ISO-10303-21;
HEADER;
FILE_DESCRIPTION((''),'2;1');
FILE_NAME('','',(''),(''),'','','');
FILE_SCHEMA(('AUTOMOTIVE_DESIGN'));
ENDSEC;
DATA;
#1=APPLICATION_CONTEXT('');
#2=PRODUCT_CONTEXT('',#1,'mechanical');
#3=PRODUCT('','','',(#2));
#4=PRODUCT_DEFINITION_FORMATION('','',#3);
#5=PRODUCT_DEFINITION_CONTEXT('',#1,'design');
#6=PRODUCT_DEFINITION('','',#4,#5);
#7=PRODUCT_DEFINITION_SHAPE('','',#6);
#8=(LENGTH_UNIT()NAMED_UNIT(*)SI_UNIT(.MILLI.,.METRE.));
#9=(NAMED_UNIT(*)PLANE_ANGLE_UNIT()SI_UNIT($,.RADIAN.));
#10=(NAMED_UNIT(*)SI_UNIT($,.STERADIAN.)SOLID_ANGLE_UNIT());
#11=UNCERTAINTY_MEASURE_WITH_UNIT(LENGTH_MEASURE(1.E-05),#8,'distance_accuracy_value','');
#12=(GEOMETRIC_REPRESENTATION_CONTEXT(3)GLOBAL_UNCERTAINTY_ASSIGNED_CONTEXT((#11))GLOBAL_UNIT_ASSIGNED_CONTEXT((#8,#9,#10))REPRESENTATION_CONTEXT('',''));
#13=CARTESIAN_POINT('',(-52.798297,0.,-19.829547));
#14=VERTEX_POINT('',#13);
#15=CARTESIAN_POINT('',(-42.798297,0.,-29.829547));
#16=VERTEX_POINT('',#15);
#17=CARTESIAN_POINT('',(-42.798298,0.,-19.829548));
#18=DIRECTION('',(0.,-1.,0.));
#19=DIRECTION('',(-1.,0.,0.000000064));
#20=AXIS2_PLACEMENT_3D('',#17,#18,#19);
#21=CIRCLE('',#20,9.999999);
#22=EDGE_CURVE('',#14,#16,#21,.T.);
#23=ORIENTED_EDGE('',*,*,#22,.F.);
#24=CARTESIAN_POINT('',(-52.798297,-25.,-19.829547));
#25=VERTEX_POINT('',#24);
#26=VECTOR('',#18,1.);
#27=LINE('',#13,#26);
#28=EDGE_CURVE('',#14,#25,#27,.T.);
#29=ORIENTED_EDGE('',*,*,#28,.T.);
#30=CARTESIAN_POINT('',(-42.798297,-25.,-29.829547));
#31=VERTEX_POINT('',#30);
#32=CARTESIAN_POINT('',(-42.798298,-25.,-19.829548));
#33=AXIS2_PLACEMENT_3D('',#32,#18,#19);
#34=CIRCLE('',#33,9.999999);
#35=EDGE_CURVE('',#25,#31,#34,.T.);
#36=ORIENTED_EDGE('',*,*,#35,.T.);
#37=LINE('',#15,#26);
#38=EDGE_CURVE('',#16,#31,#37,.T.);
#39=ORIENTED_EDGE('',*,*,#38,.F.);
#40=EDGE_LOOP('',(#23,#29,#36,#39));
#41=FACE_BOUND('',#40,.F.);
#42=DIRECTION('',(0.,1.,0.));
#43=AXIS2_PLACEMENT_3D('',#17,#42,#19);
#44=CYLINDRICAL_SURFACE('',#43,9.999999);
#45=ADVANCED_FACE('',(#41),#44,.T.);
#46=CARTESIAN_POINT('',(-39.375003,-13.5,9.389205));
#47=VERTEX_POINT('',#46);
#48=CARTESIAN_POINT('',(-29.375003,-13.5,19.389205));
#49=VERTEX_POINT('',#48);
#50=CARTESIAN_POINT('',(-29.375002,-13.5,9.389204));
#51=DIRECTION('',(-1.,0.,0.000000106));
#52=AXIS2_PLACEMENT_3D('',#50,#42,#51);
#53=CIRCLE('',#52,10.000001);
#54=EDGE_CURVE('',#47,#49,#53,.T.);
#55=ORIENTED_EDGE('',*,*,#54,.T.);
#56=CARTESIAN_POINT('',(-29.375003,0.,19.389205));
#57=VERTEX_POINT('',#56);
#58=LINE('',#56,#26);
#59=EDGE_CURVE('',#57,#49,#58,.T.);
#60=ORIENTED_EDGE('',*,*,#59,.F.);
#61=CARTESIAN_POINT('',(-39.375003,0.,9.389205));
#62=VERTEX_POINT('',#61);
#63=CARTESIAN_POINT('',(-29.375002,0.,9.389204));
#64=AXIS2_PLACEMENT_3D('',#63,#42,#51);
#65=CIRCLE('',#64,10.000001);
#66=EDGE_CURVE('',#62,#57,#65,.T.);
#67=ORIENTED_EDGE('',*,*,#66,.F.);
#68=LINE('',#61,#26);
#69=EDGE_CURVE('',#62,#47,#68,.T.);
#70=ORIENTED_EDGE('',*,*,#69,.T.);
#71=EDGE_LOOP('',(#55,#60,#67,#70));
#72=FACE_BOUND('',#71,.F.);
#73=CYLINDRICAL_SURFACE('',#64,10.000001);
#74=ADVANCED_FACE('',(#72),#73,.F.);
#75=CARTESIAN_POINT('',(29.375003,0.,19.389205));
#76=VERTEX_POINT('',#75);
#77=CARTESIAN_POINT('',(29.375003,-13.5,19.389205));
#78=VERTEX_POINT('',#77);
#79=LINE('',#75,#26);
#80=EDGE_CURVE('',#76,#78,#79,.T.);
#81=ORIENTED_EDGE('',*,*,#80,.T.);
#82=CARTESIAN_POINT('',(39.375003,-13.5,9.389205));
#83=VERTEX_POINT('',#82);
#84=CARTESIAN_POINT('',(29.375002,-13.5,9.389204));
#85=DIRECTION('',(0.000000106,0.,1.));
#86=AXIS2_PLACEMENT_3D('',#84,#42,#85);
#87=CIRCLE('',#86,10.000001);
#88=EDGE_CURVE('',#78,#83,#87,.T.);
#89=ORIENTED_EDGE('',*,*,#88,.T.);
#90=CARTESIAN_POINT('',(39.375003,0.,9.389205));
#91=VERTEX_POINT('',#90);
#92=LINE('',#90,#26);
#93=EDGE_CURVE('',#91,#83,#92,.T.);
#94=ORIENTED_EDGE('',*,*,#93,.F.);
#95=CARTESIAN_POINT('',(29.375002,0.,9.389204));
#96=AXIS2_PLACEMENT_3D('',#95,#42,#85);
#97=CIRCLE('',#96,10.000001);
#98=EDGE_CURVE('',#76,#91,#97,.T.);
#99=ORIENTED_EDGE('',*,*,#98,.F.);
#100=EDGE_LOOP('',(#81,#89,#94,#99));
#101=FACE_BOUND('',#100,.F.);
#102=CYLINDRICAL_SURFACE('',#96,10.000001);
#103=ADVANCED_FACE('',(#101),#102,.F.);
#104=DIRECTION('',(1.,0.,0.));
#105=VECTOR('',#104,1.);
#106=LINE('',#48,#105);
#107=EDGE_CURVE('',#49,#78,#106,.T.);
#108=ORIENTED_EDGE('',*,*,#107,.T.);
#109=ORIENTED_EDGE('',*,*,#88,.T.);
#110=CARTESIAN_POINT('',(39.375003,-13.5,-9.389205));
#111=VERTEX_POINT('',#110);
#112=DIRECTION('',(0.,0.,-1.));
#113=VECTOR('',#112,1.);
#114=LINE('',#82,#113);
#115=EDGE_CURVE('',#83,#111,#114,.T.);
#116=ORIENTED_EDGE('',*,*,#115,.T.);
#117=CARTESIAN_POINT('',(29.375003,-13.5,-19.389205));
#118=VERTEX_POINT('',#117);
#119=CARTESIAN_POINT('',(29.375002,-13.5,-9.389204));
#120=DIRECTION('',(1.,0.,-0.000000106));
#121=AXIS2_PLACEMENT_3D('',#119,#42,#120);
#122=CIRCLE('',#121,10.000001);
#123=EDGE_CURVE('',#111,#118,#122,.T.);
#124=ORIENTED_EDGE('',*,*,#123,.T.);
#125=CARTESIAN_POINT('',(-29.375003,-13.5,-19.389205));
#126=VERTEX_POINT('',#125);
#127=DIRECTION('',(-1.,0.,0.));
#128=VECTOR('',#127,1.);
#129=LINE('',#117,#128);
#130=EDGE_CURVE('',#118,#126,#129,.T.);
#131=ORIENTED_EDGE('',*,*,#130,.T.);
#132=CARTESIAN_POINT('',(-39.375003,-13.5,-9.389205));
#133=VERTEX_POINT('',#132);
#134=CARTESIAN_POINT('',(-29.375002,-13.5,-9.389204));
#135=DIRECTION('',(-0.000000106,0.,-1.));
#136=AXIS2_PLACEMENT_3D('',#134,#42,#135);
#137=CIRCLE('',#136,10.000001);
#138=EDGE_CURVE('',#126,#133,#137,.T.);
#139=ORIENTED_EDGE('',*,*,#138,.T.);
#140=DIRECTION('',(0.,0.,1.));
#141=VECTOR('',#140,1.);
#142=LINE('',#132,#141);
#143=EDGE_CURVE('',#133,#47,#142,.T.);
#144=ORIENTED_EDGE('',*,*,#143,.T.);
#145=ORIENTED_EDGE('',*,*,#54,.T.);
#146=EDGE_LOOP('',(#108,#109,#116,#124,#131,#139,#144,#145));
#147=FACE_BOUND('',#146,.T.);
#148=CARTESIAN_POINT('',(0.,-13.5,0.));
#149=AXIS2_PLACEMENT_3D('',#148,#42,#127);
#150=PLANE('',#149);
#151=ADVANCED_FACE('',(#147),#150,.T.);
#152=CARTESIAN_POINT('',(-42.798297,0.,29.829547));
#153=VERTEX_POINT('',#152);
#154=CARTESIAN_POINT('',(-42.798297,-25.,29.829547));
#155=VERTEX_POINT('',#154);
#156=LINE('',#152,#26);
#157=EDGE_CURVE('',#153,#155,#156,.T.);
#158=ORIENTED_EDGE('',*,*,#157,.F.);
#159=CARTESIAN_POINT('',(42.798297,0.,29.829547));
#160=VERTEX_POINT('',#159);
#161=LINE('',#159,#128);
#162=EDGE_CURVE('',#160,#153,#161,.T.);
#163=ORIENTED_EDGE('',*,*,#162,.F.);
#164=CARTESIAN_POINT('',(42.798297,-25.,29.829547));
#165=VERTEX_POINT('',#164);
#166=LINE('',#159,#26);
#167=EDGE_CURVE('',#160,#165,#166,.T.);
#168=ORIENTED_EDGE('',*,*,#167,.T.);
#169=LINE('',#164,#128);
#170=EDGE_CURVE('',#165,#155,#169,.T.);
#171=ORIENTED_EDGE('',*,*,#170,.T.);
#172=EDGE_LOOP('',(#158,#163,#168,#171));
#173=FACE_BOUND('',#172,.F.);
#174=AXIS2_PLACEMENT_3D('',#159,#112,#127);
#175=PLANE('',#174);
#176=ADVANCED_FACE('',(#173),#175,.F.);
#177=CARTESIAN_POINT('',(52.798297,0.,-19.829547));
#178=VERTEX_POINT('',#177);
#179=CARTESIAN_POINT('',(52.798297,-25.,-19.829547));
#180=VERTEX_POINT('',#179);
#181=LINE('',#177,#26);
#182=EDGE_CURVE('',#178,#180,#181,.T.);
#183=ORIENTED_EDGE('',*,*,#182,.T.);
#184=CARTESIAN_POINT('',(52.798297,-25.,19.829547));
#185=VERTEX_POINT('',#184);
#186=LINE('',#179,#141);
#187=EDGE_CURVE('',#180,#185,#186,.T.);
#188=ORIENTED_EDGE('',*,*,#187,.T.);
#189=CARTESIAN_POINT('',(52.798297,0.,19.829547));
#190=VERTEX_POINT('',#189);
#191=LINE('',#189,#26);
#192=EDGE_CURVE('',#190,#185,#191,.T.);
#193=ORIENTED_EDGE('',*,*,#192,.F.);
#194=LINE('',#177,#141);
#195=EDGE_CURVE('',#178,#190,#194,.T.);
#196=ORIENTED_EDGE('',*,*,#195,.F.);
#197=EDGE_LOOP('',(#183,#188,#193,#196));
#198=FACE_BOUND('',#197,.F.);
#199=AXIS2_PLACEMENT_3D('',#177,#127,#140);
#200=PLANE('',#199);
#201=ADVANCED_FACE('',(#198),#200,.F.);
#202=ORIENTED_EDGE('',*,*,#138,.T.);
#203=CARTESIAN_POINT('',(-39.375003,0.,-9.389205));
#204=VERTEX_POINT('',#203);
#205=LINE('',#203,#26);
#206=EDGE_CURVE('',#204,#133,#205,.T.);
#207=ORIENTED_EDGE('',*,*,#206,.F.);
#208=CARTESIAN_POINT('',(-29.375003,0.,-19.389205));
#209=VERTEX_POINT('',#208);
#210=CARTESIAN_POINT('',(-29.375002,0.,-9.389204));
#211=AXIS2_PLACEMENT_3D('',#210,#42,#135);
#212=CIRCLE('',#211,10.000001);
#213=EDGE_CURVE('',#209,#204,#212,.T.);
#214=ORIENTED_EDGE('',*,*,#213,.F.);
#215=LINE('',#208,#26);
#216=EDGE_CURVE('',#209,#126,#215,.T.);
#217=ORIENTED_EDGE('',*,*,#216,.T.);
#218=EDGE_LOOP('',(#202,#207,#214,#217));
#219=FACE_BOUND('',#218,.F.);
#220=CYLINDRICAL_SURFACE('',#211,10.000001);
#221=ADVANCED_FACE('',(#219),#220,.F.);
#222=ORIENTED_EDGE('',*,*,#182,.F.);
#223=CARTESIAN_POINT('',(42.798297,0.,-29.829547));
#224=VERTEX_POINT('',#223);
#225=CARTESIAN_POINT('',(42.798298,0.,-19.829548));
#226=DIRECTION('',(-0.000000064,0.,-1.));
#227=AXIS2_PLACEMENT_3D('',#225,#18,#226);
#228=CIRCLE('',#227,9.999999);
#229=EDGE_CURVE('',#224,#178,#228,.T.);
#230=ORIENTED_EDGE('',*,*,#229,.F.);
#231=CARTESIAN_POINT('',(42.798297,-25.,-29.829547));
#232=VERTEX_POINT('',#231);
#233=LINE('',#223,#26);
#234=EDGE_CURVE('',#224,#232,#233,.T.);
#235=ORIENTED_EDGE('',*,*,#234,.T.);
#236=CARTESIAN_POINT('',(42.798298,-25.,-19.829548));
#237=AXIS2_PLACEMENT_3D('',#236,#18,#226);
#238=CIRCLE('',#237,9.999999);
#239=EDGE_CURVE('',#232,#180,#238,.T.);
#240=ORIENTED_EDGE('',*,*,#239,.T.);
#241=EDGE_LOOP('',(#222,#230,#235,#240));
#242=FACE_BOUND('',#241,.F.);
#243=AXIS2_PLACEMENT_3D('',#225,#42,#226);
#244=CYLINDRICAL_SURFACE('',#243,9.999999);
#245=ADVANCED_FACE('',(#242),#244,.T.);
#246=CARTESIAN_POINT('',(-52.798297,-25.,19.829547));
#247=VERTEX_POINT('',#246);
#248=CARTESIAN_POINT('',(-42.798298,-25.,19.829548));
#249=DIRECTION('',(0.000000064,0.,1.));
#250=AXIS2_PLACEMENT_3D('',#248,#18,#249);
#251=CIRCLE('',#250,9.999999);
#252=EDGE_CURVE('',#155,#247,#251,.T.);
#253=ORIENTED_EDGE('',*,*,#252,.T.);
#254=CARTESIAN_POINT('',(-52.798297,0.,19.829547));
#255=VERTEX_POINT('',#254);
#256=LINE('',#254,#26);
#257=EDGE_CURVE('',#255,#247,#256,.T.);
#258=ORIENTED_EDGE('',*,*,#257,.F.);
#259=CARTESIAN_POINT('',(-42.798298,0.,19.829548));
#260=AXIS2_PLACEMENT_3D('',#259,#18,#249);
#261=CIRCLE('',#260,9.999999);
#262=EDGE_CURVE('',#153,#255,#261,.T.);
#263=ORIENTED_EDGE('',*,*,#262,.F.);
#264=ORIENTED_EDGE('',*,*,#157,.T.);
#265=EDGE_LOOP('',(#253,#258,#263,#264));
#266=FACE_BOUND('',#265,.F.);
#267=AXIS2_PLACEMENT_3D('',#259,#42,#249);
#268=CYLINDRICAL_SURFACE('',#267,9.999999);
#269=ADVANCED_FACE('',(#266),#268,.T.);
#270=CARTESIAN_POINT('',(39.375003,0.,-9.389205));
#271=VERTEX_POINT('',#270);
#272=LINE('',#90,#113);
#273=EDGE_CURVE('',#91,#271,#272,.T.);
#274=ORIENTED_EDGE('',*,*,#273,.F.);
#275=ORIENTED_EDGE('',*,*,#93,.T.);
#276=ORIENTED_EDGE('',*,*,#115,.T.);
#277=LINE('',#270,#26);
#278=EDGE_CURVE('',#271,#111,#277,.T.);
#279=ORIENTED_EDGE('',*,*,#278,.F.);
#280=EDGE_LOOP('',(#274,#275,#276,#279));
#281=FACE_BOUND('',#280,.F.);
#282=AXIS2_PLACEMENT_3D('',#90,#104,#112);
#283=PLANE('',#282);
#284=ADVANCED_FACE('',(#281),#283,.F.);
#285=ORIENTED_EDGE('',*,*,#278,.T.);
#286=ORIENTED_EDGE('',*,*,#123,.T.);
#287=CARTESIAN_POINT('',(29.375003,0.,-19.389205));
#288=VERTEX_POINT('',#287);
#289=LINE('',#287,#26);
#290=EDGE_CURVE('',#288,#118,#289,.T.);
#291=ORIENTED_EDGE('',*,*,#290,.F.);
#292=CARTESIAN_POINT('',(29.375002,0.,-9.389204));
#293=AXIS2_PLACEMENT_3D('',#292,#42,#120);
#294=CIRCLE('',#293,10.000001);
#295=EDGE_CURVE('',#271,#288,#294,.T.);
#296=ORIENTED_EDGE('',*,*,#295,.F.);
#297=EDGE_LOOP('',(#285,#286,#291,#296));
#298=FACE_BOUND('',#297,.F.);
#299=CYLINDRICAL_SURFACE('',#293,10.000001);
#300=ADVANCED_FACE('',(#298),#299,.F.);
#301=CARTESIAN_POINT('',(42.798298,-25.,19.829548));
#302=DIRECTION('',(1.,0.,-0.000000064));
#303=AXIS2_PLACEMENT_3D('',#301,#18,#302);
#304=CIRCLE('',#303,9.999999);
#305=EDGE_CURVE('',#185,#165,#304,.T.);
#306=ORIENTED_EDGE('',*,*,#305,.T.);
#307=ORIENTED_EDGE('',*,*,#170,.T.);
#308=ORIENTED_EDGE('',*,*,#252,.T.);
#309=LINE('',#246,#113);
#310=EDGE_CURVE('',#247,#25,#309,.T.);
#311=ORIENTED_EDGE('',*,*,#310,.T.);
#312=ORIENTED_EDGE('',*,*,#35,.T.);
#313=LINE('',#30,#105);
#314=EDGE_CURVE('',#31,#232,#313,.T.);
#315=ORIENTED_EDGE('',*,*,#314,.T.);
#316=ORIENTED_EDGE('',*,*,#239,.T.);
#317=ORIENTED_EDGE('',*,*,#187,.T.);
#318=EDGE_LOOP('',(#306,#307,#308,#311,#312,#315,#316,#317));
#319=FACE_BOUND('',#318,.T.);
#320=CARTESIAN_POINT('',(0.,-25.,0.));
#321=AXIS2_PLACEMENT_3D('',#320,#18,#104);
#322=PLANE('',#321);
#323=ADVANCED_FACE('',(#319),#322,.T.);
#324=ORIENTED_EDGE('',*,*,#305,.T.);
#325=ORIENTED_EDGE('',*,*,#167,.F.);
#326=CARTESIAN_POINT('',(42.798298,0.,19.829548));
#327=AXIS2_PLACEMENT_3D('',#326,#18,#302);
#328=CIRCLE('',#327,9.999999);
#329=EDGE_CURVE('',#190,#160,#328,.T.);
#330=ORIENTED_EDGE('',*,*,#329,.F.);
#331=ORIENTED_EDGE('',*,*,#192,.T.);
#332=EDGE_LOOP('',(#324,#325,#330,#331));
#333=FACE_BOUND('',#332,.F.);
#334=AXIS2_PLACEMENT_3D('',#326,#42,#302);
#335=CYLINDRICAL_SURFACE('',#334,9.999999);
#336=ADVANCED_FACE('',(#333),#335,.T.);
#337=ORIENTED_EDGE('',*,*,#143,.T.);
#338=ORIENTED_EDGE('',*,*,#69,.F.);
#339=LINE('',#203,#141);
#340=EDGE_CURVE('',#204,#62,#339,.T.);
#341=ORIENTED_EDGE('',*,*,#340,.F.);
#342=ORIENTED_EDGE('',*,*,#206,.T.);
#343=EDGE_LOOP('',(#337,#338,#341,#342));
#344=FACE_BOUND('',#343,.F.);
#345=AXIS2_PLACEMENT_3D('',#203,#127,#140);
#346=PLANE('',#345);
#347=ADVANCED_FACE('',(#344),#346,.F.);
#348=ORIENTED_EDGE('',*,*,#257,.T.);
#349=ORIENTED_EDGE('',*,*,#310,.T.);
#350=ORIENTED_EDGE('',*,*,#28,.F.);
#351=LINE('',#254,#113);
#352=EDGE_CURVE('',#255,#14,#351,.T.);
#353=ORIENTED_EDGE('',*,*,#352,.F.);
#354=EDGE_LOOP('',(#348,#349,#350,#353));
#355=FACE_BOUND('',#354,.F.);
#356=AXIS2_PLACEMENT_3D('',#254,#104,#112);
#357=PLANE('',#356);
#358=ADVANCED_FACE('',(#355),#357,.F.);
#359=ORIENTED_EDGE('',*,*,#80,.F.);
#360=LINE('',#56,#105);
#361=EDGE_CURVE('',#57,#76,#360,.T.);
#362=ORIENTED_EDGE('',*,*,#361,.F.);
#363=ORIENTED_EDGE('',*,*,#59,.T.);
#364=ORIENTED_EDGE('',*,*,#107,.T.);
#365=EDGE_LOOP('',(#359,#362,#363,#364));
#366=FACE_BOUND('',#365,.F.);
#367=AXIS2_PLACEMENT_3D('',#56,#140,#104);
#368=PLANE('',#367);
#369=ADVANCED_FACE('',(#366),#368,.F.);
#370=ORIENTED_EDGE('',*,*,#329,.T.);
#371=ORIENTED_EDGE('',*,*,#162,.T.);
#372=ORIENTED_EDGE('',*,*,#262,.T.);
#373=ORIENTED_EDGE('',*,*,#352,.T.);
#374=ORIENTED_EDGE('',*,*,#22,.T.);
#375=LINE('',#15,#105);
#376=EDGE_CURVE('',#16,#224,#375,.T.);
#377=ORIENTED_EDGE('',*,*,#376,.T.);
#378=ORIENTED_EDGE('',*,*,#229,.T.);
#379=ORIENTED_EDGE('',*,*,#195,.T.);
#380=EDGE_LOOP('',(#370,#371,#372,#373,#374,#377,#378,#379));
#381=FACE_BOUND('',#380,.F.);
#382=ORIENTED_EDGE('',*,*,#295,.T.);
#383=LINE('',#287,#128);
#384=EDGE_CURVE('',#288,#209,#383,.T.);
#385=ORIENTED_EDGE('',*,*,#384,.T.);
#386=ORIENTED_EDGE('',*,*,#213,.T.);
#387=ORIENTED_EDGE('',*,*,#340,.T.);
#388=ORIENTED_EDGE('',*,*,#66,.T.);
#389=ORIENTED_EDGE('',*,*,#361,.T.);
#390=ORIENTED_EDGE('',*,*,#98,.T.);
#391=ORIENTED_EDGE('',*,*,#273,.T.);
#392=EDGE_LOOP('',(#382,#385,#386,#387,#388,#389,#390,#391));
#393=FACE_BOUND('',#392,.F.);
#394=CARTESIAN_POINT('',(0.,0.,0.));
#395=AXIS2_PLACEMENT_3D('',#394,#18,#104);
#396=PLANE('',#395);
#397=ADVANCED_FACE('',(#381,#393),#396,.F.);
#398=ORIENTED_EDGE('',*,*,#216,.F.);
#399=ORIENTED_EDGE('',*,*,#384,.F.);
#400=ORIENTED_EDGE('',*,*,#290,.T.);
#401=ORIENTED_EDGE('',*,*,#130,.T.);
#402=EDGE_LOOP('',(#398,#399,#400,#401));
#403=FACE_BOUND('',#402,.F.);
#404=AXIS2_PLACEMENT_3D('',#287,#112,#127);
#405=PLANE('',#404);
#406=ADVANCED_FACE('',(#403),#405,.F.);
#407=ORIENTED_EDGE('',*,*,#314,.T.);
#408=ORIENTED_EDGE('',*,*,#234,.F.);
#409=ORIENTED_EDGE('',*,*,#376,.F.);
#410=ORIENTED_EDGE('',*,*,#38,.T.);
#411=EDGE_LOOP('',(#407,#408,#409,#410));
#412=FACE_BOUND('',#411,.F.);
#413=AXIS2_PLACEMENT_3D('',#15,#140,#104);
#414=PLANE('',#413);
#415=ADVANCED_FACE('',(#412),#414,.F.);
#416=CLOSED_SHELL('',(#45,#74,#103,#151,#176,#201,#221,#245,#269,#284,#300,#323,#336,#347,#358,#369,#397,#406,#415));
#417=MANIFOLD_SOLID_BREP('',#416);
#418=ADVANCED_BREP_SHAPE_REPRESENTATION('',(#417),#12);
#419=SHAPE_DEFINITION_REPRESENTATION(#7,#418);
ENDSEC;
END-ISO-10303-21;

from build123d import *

# Parameters (mm, degrees)
F1_DEPTH = 25
F3_DEPTH = 13.5


with BuildPart() as f1:
    # F0 (on Front) → F1 (new body)
    with BuildSketch(Plane.XZ):
        with BuildLine():
            ThreePointArc((-52.798297, -19.829547), (-49.869365, -26.900615), (-42.798297, -29.829547))
            Line((-42.798297, -29.829547), (42.798297, -29.829547))
            ThreePointArc((42.798297, -29.829547), (49.869365, -26.900615), (52.798297, -19.829547))
            Line((52.798297, -19.829547), (52.798297, 19.829547))
            ThreePointArc((52.798297, 19.829547), (49.869365, 26.900615), (42.798297, 29.829547))
            Line((42.798297, 29.829547), (-42.798297, 29.829547))
            ThreePointArc((-42.798297, 29.829547), (-49.869365, 26.900615), (-52.798297, 19.829547))
            Line((-52.798297, 19.829547), (-52.798297, -19.829547))
        make_face()
    extrude(amount=F1_DEPTH)

    # F2 (on face) → F3 (cut)
    with BuildSketch(Plane(origin=(0, 0, 0), x_dir=(-1, 0, 0), z_dir=(0, 1, 0))):
        with BuildLine():
            ThreePointArc((-39.375003, -9.389205), (-36.446071, -16.460272), (-29.375003, -19.389205))
            Line((-29.375003, -19.389205), (29.375003, -19.389205))
            ThreePointArc((29.375003, -19.389205), (36.446071, -16.460272), (39.375003, -9.389205))
            Line((39.375003, -9.389205), (39.375003, 9.389205))
            ThreePointArc((39.375003, 9.389205), (36.446071, 16.460272), (29.375003, 19.389205))
            Line((29.375003, 19.389205), (-29.375003, 19.389205))
            ThreePointArc((-29.375003, 19.389205), (-36.446071, 16.460272), (-39.375003, 9.389205))
            Line((-39.375003, 9.389205), (-39.375003, -9.389205))
        make_face()
    extrude(amount=-F3_DEPTH, mode=Mode.SUBTRACT)


solid = f1.part
